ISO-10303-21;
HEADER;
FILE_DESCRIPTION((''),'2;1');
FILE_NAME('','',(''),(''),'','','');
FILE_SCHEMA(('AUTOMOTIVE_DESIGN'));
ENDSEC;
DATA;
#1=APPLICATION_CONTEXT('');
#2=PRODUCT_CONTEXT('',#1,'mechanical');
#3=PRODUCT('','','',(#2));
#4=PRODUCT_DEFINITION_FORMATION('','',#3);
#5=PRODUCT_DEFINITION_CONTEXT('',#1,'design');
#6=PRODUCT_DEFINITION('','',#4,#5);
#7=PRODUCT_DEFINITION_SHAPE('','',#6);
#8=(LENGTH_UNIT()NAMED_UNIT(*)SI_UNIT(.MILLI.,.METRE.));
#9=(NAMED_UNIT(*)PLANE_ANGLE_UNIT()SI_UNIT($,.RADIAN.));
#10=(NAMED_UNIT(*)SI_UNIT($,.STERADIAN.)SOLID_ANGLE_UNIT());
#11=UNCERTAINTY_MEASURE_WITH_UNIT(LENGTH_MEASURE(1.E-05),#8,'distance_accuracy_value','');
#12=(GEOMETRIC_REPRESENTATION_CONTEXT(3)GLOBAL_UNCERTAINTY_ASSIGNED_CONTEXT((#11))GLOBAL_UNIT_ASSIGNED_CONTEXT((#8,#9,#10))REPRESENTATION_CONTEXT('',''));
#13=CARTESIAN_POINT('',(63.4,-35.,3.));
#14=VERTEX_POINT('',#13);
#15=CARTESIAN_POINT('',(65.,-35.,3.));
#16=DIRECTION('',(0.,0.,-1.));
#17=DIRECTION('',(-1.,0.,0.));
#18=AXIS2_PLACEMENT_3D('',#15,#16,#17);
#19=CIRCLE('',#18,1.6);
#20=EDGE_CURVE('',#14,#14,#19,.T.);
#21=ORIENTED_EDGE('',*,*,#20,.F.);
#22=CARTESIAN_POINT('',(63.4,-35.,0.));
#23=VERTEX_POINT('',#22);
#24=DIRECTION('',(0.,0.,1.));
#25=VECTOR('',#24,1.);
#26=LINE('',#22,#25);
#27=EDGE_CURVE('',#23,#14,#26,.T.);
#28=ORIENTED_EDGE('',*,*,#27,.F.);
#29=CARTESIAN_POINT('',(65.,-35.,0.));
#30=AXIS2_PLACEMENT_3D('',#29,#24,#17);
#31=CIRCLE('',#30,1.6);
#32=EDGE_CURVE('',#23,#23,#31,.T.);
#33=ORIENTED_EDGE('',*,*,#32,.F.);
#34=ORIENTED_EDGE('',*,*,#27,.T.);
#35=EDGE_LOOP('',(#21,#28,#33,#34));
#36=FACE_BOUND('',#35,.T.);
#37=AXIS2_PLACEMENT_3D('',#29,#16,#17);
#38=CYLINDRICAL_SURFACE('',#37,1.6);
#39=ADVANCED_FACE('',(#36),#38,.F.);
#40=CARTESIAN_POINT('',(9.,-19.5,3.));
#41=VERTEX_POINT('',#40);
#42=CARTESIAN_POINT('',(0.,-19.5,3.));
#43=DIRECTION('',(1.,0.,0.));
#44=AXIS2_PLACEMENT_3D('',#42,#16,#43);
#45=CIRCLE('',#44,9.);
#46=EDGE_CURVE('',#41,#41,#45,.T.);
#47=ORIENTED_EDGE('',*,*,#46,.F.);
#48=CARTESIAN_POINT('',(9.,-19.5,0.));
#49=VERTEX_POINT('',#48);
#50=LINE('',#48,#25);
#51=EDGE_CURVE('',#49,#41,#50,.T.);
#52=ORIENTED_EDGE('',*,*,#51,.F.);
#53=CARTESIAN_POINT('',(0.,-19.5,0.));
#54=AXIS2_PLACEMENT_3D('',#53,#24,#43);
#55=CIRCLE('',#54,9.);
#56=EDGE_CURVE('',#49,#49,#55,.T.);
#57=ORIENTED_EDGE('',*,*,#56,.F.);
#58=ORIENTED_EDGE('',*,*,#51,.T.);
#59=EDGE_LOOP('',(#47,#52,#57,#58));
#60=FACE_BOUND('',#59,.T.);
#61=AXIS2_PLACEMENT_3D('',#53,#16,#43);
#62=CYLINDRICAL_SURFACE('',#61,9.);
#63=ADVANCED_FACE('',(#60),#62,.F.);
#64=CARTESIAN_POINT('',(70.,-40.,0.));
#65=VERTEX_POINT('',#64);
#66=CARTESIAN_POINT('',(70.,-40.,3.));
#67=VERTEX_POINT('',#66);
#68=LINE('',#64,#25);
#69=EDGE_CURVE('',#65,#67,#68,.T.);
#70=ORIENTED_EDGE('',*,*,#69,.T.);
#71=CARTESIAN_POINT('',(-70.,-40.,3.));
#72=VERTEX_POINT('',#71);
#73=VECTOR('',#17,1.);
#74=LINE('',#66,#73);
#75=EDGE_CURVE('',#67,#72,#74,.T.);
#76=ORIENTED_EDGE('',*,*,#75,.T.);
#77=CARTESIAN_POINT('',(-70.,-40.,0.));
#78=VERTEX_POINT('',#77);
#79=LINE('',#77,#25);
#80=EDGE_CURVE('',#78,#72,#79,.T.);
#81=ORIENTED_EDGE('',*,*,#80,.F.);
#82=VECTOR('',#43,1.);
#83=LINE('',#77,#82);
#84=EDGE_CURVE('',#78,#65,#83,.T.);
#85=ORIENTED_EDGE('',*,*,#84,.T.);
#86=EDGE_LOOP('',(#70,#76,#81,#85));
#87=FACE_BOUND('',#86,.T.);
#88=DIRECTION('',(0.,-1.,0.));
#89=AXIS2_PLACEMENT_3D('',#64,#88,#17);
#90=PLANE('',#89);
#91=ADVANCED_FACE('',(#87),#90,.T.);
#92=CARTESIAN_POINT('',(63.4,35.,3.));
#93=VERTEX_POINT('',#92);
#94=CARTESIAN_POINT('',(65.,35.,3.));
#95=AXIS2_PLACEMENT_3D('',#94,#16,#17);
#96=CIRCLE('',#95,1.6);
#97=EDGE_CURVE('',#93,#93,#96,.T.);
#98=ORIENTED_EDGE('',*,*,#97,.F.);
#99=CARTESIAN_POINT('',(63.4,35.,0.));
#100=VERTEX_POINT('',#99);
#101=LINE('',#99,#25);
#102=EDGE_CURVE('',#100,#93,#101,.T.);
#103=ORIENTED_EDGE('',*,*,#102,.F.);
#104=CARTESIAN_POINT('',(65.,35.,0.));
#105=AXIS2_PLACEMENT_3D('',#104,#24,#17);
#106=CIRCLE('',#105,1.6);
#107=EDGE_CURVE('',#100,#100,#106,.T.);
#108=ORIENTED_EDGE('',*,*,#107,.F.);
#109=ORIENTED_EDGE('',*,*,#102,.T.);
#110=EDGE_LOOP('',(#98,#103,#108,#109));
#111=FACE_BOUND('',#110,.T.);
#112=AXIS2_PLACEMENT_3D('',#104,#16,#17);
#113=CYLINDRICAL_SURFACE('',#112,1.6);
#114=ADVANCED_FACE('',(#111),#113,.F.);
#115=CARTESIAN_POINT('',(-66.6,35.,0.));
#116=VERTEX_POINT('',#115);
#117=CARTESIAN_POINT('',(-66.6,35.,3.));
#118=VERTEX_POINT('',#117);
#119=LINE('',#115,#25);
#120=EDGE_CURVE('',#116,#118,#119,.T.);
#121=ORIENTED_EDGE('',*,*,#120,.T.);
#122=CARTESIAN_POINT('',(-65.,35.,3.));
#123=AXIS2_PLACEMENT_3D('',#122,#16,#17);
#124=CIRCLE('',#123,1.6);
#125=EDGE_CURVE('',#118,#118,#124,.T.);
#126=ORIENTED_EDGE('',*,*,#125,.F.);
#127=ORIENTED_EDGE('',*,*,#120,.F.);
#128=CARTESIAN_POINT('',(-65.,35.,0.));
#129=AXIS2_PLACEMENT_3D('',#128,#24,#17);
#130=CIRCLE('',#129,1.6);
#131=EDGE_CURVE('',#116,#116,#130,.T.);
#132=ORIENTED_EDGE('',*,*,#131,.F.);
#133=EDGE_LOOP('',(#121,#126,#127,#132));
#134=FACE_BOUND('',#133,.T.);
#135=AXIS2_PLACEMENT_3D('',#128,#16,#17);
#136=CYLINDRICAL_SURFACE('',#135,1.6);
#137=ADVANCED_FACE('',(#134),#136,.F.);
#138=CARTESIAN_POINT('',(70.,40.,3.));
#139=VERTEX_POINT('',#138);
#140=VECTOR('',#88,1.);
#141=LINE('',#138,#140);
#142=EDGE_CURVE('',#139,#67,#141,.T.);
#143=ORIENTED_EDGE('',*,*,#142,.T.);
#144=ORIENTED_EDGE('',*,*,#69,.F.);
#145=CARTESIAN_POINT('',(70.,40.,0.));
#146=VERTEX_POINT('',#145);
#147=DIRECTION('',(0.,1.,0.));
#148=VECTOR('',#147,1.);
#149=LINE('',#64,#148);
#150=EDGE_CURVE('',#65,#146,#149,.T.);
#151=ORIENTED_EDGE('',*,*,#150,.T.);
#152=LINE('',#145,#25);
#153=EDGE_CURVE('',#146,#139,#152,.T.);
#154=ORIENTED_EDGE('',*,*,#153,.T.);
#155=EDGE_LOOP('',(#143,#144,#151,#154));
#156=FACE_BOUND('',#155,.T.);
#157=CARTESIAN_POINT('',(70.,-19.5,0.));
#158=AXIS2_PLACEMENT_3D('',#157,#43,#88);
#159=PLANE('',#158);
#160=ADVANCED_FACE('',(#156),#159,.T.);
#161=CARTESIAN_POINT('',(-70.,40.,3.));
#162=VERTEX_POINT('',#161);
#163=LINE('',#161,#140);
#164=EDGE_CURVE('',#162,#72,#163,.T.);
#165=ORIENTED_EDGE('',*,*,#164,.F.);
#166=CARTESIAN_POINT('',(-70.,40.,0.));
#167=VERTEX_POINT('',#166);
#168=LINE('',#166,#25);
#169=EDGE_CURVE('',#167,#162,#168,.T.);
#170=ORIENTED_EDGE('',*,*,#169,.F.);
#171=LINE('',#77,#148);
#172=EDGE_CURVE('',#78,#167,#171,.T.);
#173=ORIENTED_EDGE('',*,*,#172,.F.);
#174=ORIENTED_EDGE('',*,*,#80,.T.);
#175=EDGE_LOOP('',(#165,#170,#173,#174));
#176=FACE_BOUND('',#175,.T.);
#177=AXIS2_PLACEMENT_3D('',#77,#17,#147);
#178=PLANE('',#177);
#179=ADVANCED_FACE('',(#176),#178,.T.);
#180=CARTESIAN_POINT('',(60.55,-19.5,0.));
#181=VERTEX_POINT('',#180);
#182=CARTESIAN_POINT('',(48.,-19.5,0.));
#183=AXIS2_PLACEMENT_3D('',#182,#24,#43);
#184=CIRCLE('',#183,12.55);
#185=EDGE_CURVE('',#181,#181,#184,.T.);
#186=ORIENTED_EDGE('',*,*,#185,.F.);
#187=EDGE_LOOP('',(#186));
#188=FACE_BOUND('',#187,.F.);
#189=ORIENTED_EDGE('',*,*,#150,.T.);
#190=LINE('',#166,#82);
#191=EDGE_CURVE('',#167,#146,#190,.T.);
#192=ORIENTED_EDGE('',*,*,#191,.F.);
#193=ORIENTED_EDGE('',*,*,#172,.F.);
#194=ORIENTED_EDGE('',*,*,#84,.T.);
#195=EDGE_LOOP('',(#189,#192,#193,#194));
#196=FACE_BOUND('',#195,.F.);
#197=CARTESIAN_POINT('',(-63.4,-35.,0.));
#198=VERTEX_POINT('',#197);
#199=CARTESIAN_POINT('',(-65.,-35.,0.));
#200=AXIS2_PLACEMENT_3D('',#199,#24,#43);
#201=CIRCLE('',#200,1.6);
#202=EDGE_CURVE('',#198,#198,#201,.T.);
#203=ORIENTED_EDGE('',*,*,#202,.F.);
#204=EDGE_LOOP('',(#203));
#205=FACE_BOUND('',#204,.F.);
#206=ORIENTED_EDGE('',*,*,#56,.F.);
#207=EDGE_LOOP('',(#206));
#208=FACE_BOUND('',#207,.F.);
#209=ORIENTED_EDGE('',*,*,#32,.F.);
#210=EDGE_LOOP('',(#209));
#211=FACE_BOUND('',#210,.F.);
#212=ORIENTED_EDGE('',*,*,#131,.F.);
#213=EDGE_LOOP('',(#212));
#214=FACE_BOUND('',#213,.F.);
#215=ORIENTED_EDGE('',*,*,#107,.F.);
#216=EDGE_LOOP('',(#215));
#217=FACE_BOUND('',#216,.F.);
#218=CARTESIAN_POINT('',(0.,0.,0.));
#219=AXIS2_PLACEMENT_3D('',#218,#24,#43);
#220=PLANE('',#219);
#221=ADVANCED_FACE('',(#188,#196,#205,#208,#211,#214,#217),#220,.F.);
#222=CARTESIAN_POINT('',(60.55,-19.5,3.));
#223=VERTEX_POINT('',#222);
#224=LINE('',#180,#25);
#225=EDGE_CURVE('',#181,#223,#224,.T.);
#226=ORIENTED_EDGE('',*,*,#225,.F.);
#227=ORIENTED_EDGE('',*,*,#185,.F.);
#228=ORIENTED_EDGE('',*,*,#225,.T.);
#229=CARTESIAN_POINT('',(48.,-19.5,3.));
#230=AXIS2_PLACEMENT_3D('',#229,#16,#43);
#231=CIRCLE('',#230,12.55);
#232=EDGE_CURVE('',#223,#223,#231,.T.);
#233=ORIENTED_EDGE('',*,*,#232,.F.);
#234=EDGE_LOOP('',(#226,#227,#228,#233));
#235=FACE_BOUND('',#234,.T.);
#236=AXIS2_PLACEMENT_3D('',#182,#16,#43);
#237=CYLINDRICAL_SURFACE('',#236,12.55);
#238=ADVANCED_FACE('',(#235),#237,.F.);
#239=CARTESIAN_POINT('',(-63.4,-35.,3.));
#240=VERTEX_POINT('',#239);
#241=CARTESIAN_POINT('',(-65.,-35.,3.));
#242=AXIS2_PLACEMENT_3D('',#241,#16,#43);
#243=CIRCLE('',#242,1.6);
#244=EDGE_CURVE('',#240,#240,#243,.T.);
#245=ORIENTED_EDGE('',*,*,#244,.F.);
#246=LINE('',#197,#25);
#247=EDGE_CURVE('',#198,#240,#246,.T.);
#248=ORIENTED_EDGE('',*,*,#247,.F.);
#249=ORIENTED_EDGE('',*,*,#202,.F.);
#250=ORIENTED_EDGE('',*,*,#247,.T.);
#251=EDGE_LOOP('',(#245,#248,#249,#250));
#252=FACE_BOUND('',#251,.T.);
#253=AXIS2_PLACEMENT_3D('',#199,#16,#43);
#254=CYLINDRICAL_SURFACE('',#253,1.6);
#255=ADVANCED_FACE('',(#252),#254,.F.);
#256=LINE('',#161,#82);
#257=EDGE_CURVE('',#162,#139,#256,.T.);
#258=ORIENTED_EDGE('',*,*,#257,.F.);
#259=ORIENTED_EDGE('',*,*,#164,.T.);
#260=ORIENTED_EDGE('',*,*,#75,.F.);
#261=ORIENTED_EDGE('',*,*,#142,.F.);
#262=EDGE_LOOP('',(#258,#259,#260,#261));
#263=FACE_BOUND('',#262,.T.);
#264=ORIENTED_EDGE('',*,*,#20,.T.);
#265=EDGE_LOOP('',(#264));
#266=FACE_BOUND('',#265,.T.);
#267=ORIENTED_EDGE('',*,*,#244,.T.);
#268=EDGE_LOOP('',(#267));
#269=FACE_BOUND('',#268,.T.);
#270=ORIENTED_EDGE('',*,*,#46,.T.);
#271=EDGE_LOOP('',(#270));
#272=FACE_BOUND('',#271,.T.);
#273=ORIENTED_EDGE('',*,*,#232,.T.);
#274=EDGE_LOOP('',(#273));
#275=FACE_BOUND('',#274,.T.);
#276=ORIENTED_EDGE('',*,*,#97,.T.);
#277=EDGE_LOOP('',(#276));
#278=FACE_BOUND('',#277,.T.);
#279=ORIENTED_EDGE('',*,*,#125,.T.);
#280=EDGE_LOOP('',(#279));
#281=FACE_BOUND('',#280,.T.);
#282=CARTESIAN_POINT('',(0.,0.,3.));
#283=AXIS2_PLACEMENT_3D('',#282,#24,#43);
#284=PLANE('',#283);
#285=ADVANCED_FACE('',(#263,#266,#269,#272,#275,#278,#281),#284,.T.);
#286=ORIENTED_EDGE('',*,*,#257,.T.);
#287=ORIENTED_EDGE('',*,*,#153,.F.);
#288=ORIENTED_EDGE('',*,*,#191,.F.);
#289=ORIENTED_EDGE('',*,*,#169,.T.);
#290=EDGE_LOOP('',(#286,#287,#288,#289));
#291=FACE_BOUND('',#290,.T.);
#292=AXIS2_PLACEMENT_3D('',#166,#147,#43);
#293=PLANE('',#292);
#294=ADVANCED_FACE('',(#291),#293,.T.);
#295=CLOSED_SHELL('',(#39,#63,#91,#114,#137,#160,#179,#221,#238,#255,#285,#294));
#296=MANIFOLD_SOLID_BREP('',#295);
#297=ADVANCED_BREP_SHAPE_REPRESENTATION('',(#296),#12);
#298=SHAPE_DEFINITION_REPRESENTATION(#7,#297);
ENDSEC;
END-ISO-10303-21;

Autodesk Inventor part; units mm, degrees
ref_plane "YZ Plane" through (0, 0, 0) normal (1, 0, 0) x (0, 1, 0)
ref_plane "XZ Plane" through (0, 0, 0) normal (0, 1, 0) x (-1, 0, 0)
ref_plane "XY Plane" through (0, 0, 0) normal (0, 0, 1) x (1, 0, 0)
sketch "スケッチ1" plane through (0, 0, 0) normal (0, 0, 1) x (1, 0, 0)
  point P0 (0, 0)
sketch "スケッチ2" plane through (0, 0, 0) normal (0, 0, 1) x (1, 0, 0)
  line L0 (70, -40) -> (-70, -40)
  line L1 (-70, -40) -> (-70, 40)
  line L2 (-70, 40) -> (70, 40)
  line L3 (70, 40) -> (70, -40)
  line L4 (70, -40) -> (-70, 40) construction
  line L5 (-70, -40) -> (70, 40) construction
  circle A0 centre (-48, -19.5) radius 6.05
  circle A1 centre (48, -19.5) radius 12.55
  circle A2 centre (48, -19.5) radius 17.5
  circle A3 centre (65.5, -19.5) radius 2.05
  circle A4 centre (48, -2) radius 2.05
  circle A5 centre (30.5, -19.5) radius 2.05
  circle A6 centre (48, -37) radius 2.05
  circle A7 centre (-48, -19.5) radius 9
  circle A8 centre (-57, -19.5) radius 1.6
  circle A9 centre (-48, -28.5) radius 1.6
  circle A10 centre (-39, -19.5) radius 1.6
  circle A11 centre (-48, -10.5) radius 1.6
  line L6 (65, 35) -> (-65, 35)
  line L7 (-65, 35) -> (-65, -35)
  line L8 (-65, -35) -> (65, -35)
  line L9 (65, -35) -> (65, 35)
  line L10 (-65, 35) -> (-65, 35) construction
  line L11 (-66.6, 35) -> (-66.6, 35)
  line L12 (-63.4, 35) -> (-63.4, 35)
  arc A12 (-63.4, 35) -> (-66.6, 35) centre (-65, 35) ccw
  arc A13 (-66.6, 35) -> (-63.4, 35) centre (-65, 35) ccw
  line L13 (-65, 35) -> (-65, 35) construction
  line L14 (-65, -35) -> (-65, -35) construction
  line L15 (-63.4, -35) -> (-63.4, -35)
  line L16 (-66.6, -35) -> (-66.6, -35)
  arc A14 (-66.6, -35) -> (-63.4, -35) centre (-65, -35) ccw
  arc A15 (-63.4, -35) -> (-66.6, -35) centre (-65, -35) ccw
  line L17 (-65, -35) -> (-65, -35) construction
  line L18 (65, 35) -> (65, 35) construction
  line L19 (63.4, 35) -> (63.4, 35)
  line L20 (66.6, 35) -> (66.6, 35)
  arc A16 (66.6, 35) -> (63.4, 35) centre (65, 35) ccw
  arc A17 (63.4, 35) -> (66.6, 35) centre (65, 35) ccw
  line L21 (65, 35) -> (65, 35) construction
  line L22 (65, -35) -> (65, -35) construction
  line L23 (66.6, -35) -> (66.6, -35)
  line L24 (63.4, -35) -> (63.4, -35)
  arc A18 (63.4, -35) -> (66.6, -35) centre (65, -35) ccw
  arc A19 (66.6, -35) -> (63.4, -35) centre (65, -35) ccw
  line L25 (65, -35) -> (65, -35) construction
  line L26 (-70, -19.5) -> (70, -19.5)
  circle A20 centre (0, -19.5) radius 9
  circle A21 centre (0, -19.5) radius 39
  line L27 (-85, 40) -> (85, 40)
  line L28 (85, 40) -> (85, 35)
  line L29 (85, 35) -> (-85, 35)
  line L30 (-85, 35) -> (-85, 40)
  line L31 (-85, 35) -> (0, 0)
  line L32 (0, 0) -> (85, 35)
  line L33 (-70, 0) -> (70, 0)
  line L34 (70, 0) -> (70, -50)
  line L35 (70, -50) -> (-70, -50)
  line L36 (-70, -50) -> (-70, 0)
  point P0 (-65, -35)
  point P1 (65, 35)
  point P2 (65, -35)
  point P3 (-39.1422, -21.0937)
  point P4 (-39.1422, -17.9063)
  point P5 (0, 40)
  point P6 (85, 40)
  point P7 (48.45, -35)
  point P8 (47.55, -35)
  point P9 (-70, 28.8235)
  point P10 (70, 28.8235)
  dimension "d9" = 35
  dimension "d15" = 18
  dimension "d0" = 140
  dimension "d1" = 80
  dimension "d5" = 12.1
  dimension "d6" = 25.1
  dimension "d10" = 4.1
  dimension "d13" = 360
  dimension "d16" = 3.2
  dimension "d19" = 360
  dimension "d21" = 5
  dimension "d22" = 0
  dimension "d23" = 90
  dimension "d24" = 3.2
  dimension "d25" = 0
  dimension "d26" = 90
  dimension "d27" = 3.2
  dimension "d28" = 0
  dimension "d29" = 90
  dimension "d30" = 3.2
  dimension "d31" = 0
  dimension "d32" = 90
  dimension "d33" = 3.2
  dimension "d36" = 20.5
  dimension "d37" = 18
  dimension "d38" = 78
  dimension "d39" = 48
  dimension "d40" = 48
  dimension "d43" = 170
  dimension "d44" = 85
  dimension "d46" = 50
extrude "押し出し1" add sketch "スケッチ2" along normal blind 3 contours L0 A21 L8 A2 A6 A18 A19 L9 A3 L26 L3 | L0 A21 L8 | L26 A3 A2 L9 L33 L3 | L0 L1 L26 L7 A15 A14 L8 A21 | A21 A2 L8 | L8 A21 A10 L26 A20 A5 A2 | L33 L9 L32 L3 | L26 A2 A3 | A3 A2 L26 | L8 A15 L7 L26 A8 A7 A9 A10 A21 | L8 A6 A2 | A2 A21 A1 L26 A3 L9 L8 A6 | A2 A5 L26 A1 A21 | L32 L9 A17 L29 L3 | L33 A4 A21 L32 L9 | L9 A2 A4 L33 | A3 L9 A2 | A2 L26 L9 A3 | A3 L9 L26 A2 | A2 L9 A3 | L1 L33 L7 L26 | A21 L26 A10 | A10 A7 A21 | A6 L8 A2 | A2 A6 | A6 L8 | A5 L26 A2 | A2 L26 A5 | L29 A16 L6 A12 L1 L2 L3 | L32 A21 L31 L7 A13 L6 A17 L9 | L9 A3 L26 A1 A21 A2 A4 | L33 A4 | A4 A2 L33 | L9 L26 A3 | L9 A19 L8 A2 | A3 L26 L9 | L1 L31 L7 L33 | L7 L33 A21 A10 A7 A11 A8 L26 | A10 L26 A7 | A7 A9 A8 L26 A0 A10 | L26 A21 A10 | A10 A21 L33 A2 A5 L26 A20 | L26 A10 A7 | A7 A10 A21 | A6 L8 A2 | L26 A5 A2 | A2 A5 L26 | A5 A2 A21 A1 L26 | L32 L31 A21 | A21 L33 L32 | A4 A2 | A4 A2 A21 L33 | L1 L29 A13 L7 L31 | L7 L31 A21 L33 | L26 A7 A8 | A8 A7 L26 | A9 A7 | A7 A9 | L26 A0 A8 A7 A11 A10 | L31 L33 A21 | A8 L26 A7 | A7 L26 A8 | L26 A0 | A0 L26 | A11 A7 | A7 A11
equation "\"d27\" = d24"
equation "\"d30\" = d24"
equation "\"d33\" = d24"
equation "\"d40\" = d39"
equation "\"d44\" = 0.5 * d43"
properties part number "aaa_small_plate_middle"
